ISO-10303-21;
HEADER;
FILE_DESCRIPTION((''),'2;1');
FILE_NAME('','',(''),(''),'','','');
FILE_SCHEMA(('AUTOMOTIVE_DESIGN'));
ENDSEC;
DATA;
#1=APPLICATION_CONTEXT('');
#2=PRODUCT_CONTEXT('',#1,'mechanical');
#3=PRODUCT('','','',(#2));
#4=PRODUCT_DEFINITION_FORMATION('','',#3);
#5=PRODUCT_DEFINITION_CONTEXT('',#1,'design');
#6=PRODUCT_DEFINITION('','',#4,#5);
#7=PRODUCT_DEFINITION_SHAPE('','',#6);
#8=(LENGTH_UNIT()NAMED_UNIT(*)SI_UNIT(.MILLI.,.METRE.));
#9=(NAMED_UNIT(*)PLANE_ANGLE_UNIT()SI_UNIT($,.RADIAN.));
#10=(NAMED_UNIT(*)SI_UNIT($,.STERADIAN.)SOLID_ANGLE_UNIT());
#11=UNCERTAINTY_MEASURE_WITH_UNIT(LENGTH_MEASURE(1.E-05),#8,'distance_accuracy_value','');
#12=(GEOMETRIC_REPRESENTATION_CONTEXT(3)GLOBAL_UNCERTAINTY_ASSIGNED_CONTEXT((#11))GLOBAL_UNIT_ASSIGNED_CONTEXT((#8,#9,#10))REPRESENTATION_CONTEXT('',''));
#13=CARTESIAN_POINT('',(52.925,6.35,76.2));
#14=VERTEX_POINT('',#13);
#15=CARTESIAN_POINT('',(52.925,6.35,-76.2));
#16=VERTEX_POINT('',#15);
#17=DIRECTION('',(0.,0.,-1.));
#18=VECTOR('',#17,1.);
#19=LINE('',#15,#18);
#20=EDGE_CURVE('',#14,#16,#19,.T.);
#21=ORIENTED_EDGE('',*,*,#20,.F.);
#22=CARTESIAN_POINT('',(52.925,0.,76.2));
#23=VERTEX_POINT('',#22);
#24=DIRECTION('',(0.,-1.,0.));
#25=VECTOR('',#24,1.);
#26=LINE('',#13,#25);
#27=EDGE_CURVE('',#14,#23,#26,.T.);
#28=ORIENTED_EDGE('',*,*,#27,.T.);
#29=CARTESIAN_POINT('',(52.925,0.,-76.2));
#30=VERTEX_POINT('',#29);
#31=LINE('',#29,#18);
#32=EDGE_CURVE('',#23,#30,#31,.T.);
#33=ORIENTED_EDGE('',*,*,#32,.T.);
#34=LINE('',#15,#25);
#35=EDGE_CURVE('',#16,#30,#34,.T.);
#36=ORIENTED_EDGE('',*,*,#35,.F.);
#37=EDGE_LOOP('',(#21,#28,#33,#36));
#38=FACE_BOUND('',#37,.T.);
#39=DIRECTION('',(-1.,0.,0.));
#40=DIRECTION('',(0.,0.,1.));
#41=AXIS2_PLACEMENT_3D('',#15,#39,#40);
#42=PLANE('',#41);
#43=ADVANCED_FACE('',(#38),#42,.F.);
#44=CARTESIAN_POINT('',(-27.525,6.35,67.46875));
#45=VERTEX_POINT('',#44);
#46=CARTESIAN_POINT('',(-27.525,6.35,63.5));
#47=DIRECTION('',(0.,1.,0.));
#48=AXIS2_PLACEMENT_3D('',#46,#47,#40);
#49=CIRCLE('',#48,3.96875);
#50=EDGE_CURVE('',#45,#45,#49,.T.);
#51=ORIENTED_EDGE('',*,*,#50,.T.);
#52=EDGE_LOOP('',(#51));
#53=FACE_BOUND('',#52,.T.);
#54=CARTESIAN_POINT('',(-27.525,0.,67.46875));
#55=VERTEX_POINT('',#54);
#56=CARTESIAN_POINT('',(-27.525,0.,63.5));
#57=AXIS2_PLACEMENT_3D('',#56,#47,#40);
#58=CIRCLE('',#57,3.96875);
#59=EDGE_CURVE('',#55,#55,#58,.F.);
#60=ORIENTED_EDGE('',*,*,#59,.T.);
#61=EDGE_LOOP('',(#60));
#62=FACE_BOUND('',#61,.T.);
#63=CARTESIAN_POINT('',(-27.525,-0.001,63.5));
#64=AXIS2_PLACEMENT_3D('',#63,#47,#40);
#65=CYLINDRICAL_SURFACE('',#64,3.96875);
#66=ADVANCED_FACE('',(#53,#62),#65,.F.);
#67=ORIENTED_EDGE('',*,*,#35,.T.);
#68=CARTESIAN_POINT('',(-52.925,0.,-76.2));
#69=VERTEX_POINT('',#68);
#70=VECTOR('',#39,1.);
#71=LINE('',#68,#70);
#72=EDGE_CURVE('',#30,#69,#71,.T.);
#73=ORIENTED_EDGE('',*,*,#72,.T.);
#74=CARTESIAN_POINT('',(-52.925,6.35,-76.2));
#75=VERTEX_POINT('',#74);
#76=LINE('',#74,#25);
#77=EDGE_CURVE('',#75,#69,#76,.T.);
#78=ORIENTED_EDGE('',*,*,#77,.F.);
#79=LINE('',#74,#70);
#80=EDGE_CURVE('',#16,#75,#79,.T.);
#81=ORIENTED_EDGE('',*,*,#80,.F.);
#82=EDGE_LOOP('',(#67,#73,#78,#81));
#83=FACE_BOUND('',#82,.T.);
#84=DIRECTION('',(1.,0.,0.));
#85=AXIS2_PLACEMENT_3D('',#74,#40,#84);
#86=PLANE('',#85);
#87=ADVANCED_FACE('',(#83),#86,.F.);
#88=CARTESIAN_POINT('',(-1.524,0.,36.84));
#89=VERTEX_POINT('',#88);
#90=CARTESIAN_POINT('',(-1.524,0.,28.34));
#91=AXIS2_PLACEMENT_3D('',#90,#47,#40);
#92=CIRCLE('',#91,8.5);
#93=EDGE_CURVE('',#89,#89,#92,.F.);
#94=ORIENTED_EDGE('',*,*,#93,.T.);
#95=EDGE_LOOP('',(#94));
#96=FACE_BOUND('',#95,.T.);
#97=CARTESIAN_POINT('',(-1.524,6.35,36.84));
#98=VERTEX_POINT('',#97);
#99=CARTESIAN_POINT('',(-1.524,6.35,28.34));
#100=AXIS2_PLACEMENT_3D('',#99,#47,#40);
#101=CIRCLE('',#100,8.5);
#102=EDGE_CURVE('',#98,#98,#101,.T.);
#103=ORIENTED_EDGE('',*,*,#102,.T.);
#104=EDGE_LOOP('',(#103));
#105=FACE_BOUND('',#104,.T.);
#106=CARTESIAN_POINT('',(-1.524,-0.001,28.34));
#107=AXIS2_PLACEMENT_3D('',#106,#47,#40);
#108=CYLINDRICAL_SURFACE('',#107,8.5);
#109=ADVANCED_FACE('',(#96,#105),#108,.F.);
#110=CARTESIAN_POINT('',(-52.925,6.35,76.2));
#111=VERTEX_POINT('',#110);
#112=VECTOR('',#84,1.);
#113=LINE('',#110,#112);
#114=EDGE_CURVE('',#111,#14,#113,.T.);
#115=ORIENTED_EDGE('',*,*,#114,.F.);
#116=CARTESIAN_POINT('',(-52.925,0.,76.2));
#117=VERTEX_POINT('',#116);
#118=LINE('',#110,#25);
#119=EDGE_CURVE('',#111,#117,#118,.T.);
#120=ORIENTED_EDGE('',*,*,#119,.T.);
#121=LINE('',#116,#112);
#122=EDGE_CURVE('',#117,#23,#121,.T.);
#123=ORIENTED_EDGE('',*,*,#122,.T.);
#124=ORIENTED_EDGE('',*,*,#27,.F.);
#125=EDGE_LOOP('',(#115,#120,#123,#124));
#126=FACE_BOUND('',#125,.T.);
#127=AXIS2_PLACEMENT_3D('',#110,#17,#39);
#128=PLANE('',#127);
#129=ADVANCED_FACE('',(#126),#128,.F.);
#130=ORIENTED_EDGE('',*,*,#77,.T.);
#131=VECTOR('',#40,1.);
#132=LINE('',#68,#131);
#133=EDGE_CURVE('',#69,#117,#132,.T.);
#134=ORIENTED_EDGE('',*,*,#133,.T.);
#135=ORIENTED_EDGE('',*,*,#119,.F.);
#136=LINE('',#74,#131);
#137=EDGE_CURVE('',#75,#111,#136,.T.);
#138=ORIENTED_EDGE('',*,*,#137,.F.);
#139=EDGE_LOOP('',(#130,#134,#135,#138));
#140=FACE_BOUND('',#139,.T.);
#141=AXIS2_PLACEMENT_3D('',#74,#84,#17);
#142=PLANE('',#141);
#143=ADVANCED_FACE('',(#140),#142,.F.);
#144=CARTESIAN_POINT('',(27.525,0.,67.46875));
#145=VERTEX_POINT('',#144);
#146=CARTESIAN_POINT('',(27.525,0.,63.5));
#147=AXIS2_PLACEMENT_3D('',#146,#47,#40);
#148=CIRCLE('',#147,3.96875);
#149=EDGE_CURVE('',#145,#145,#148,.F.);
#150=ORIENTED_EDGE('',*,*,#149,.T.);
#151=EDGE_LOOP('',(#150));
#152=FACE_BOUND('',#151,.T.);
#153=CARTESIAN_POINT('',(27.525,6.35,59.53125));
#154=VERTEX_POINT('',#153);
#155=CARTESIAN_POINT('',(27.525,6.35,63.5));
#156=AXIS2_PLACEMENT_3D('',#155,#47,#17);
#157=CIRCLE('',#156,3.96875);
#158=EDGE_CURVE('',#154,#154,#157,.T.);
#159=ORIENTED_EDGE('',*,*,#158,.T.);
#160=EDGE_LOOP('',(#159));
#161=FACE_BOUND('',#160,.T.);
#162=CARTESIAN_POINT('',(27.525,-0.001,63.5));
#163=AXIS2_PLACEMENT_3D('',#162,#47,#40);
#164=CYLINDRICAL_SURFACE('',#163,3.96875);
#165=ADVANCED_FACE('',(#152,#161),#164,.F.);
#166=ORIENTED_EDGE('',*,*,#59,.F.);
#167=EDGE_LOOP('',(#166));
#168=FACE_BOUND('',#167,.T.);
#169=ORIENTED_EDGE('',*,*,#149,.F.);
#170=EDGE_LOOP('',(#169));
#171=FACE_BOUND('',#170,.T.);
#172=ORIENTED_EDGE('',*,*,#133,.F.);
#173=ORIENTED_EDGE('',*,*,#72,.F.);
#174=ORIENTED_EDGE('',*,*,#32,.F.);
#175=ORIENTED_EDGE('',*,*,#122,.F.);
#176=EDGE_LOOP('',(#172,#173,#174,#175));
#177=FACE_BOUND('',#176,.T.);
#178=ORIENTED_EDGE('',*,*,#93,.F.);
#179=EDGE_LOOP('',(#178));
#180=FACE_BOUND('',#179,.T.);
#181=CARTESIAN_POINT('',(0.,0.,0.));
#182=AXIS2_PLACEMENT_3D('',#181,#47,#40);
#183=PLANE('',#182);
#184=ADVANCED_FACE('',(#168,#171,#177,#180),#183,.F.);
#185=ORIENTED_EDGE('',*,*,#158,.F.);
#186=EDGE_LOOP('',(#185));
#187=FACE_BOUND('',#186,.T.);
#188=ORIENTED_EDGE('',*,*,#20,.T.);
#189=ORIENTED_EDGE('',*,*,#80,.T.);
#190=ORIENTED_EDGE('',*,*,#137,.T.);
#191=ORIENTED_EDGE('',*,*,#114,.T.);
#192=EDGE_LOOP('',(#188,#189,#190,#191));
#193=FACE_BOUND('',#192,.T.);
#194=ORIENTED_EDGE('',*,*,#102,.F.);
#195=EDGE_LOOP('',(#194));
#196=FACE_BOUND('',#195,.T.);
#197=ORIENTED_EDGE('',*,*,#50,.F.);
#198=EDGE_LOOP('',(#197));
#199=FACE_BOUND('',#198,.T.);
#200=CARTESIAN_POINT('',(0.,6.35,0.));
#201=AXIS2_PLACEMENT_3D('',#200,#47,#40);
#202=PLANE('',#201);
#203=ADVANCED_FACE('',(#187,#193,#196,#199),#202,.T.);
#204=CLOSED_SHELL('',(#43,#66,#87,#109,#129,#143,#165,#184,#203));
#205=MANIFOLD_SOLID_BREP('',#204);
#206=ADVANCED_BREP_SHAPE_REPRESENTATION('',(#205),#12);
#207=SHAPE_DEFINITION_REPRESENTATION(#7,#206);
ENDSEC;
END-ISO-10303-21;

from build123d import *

# Parameters (mm, degrees)
SKETCH1_W           = 105.849999898
SKETCH1_H           = 152.4
BOSS_EXTRUDE1_DEPTH = 6.35
CUT_EXTRUDE1_REACH  = 94.994
SKETCH2_R           = 3.96875
SKETCH2_R_2         = 8.5


with BuildPart() as part:
    # Sketch1 → Boss-Extrude1 (new body)
    with BuildSketch(Plane(origin=(0, 0, 0), x_dir=(1, 0, 0), z_dir=(0, 1, 0))):
        Rectangle(SKETCH1_W, SKETCH1_H)
    extrude(amount=BOSS_EXTRUDE1_DEPTH)

    # Sketch2 → Cut-Extrude1 (cut, up to next)
    with BuildSketch(Plane(origin=(0, 6.35, 0), x_dir=(1, 0, 0), z_dir=(0, 1, 0)), mode=Mode.PRIVATE) as cut_extrude1_sk1:
        with Locations(Location((-27.524999949, -63.5, 0), (0, 0, 270))):
            Circle(SKETCH2_R)
    cut_extrude1_tool1 = extrude(cut_extrude1_sk1.sketch, amount=-CUT_EXTRUDE1_REACH, mode=Mode.PRIVATE) & part.part
    # Sketch2 → Cut-Extrude1 (cut, up to next)
    with BuildSketch(Plane(origin=(0, 6.35, 0), x_dir=(1, 0, 0), z_dir=(0, 1, 0)), mode=Mode.PRIVATE) as cut_extrude1_sk2:
        with Locations(Location((27.524999949, -63.5, 0), (0, 0, 270))):
            Circle(SKETCH2_R)
    cut_extrude1_tool2 = extrude(cut_extrude1_sk2.sketch, amount=-CUT_EXTRUDE1_REACH, mode=Mode.PRIVATE) & part.part
    # Sketch2 → Cut-Extrude1 (cut, up to next)
    with BuildSketch(Plane(origin=(0, 6.35, 0), x_dir=(1, 0, 0), z_dir=(0, 1, 0)), mode=Mode.PRIVATE) as cut_extrude1_sk3:
        with Locations(Location((-1.523999881, -28.34, 0), (0, 0, 270))):
            Circle(SKETCH2_R_2)
    cut_extrude1_tool3 = extrude(cut_extrude1_sk3.sketch, amount=-CUT_EXTRUDE1_REACH, mode=Mode.PRIVATE) & part.part
    add(cut_extrude1_tool1.solids().sort_by_distance((-27.525, 6.35, 63.5))[0], mode=Mode.SUBTRACT)
    add(cut_extrude1_tool2.solids().sort_by_distance((27.525, 6.35, 63.5))[0], mode=Mode.SUBTRACT)
    add(cut_extrude1_tool3.solids().sort_by_distance((-1.524, 6.35, 28.34))[0], mode=Mode.SUBTRACT)


solid = part.part
